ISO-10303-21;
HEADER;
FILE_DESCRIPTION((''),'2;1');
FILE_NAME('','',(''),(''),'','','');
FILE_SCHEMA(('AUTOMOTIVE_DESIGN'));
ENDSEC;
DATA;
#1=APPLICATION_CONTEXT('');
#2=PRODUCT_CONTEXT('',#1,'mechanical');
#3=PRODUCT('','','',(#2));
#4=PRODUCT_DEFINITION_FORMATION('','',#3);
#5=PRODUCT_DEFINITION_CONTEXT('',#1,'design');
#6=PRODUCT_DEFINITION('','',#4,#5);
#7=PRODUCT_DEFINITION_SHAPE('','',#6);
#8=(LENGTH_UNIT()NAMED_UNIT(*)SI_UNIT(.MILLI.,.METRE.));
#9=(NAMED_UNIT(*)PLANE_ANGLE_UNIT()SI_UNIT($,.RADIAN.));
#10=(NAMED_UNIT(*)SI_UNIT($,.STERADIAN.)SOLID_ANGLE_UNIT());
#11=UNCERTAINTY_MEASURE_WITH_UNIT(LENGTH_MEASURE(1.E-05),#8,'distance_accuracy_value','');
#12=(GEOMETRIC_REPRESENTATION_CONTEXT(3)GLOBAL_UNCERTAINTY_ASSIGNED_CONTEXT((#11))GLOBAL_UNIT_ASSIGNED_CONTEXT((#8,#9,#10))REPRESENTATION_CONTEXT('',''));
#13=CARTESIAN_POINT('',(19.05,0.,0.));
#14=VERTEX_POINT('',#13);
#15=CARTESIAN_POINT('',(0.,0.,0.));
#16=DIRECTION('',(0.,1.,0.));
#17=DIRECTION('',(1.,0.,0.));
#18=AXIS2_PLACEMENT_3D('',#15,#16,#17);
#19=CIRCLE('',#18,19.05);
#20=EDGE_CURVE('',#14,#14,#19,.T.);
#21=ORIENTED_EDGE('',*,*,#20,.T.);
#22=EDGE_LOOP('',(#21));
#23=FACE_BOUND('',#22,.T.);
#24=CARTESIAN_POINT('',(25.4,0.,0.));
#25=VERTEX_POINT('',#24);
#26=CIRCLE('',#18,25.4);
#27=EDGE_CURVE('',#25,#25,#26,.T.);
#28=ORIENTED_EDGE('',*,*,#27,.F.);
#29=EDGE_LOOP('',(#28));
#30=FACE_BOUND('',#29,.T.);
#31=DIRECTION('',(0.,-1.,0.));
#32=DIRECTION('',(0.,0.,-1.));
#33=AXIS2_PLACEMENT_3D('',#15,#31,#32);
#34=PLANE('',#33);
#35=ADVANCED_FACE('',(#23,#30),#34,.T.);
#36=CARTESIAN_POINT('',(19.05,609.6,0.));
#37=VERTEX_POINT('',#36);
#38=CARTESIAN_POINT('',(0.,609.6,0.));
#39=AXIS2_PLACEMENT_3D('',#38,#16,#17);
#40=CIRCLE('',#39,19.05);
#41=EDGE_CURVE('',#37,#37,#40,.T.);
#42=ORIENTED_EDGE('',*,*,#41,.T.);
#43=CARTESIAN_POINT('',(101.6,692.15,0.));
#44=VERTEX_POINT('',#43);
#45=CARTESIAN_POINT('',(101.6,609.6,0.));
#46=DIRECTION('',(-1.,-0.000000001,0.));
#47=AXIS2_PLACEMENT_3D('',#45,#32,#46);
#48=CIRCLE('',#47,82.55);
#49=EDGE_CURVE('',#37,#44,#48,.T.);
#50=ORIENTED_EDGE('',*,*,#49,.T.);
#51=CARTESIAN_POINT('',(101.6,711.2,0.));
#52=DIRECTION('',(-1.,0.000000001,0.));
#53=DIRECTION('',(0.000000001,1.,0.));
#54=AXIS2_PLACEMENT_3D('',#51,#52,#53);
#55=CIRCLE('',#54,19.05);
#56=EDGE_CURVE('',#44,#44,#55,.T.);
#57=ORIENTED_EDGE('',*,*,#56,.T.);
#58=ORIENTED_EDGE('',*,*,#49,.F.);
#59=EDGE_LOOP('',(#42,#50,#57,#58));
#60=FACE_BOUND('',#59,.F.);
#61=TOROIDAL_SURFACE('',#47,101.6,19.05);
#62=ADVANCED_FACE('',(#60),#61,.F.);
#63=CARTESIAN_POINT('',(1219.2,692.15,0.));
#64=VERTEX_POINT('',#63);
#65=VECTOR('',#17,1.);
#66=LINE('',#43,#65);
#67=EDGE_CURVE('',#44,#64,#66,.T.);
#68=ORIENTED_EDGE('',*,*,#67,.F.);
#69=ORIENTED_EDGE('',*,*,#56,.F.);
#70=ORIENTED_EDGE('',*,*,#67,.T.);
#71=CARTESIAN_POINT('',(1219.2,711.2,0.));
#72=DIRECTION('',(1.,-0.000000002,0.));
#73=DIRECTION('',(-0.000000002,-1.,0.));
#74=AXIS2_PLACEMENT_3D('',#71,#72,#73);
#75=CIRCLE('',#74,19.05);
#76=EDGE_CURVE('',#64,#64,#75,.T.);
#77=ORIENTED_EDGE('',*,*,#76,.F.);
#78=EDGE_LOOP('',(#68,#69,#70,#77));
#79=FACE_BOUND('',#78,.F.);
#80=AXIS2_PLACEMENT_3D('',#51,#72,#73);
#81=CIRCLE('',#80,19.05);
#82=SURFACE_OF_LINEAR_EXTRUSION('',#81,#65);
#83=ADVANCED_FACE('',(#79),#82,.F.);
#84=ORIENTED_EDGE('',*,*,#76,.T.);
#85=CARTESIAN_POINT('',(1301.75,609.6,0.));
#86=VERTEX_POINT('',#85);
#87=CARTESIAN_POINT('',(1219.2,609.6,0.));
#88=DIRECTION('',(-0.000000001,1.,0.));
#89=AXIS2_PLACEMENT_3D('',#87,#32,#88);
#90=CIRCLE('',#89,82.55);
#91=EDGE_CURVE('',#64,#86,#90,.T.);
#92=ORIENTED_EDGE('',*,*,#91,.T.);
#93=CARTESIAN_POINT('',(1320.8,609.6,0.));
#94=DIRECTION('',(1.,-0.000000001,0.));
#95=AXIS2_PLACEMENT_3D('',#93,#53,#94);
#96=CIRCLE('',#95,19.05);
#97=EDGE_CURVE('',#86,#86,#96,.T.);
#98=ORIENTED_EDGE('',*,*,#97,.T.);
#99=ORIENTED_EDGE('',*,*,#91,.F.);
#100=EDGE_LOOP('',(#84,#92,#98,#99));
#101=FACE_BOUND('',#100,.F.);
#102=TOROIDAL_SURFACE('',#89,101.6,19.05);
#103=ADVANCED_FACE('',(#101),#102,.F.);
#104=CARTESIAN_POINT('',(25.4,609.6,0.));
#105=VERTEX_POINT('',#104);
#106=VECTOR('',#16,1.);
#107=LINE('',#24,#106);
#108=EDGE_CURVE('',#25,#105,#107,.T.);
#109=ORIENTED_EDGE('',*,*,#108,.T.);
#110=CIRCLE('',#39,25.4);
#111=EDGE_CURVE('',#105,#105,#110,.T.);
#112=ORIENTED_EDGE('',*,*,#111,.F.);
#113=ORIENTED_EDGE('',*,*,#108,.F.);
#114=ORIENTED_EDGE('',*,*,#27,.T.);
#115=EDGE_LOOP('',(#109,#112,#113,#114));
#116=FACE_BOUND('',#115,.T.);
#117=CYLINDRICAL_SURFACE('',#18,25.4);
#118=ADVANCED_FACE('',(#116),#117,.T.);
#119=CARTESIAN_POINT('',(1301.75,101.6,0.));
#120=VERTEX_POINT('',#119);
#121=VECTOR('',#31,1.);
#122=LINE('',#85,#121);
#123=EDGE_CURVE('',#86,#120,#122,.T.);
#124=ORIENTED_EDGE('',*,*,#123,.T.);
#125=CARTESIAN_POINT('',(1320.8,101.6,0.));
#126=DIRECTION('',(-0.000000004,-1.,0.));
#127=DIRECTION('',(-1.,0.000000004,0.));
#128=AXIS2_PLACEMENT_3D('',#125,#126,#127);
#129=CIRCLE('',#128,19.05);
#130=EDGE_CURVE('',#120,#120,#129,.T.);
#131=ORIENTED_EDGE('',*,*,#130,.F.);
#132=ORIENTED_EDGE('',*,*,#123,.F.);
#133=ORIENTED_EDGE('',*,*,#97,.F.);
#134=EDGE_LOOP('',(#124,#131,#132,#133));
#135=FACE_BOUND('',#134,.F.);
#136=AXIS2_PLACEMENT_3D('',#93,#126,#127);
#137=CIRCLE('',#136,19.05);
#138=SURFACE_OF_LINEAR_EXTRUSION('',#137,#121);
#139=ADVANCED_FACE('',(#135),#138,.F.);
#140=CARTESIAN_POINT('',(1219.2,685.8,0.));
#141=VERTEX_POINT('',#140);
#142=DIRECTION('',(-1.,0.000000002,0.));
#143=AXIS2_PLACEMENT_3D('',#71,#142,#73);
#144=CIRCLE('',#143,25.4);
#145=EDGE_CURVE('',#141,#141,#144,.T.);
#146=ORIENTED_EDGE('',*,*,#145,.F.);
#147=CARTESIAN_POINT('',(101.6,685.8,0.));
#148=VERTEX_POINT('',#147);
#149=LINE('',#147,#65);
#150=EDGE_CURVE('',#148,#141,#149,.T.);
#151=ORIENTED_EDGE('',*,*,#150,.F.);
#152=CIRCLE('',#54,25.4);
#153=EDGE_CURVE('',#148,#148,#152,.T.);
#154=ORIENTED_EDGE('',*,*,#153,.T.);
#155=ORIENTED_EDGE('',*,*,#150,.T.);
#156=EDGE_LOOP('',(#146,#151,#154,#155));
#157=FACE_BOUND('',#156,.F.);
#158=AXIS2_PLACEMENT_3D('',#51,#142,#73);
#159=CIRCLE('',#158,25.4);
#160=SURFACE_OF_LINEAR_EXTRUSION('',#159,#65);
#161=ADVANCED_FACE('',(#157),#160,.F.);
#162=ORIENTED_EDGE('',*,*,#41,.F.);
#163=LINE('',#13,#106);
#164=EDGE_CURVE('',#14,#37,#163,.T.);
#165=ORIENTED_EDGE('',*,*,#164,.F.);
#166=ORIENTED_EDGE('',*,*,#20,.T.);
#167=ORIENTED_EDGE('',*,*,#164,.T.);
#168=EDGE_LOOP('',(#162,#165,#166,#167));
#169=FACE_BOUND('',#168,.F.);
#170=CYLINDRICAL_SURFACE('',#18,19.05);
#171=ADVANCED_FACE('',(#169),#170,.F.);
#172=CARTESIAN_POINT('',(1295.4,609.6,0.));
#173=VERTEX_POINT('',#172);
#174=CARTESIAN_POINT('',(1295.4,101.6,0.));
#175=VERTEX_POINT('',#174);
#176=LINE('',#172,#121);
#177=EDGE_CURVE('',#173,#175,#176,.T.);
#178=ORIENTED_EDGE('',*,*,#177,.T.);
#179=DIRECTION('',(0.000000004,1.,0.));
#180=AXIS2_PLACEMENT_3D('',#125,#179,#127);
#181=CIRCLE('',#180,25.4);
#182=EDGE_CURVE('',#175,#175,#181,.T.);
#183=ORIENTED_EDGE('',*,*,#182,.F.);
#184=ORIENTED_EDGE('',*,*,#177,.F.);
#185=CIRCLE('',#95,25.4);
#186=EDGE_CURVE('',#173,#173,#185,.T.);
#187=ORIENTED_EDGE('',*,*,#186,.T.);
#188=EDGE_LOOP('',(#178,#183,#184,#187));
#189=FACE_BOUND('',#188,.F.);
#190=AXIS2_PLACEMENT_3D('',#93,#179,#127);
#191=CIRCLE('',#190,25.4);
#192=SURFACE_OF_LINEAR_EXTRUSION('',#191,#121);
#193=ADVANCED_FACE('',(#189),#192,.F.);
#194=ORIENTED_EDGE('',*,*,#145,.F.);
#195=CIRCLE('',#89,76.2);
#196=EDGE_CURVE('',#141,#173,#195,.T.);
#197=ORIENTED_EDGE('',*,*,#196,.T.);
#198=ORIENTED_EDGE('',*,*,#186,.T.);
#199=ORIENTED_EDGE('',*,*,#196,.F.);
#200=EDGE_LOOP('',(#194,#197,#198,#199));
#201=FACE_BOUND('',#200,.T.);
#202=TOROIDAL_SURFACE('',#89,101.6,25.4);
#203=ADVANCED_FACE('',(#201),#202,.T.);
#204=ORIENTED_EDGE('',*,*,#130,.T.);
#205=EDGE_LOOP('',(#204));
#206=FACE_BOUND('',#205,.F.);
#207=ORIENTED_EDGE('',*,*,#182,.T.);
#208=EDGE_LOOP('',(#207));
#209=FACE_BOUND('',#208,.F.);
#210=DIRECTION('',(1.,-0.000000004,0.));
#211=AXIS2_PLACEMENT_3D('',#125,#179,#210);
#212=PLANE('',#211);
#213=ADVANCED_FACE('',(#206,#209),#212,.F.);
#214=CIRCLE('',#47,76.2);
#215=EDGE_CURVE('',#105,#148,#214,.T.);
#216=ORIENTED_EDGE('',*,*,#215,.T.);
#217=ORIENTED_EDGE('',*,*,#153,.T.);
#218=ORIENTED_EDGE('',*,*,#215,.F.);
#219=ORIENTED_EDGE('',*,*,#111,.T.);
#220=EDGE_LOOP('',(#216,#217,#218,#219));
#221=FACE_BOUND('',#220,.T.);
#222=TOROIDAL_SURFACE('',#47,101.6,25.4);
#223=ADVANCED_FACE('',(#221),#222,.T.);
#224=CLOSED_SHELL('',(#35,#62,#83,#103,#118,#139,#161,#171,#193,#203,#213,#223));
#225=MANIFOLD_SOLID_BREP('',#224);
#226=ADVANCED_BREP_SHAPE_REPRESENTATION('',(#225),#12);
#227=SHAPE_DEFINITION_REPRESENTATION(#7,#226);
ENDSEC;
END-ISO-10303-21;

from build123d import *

# Parameters (mm, degrees)
F0_R   = 25.4
F0_R_2 = 19.05


with BuildPart() as f2:
    # F2: sweep along a path in F1
    with BuildLine(Plane.XY) as f2_path:
        Line((0, 0), (0, 609.6))
        ThreePointArc((0, 609.6), (29.757951, 681.442049), (101.6, 711.2))
        Line((101.6, 711.2), (1219.2, 711.2))
        ThreePointArc((1219.2, 711.2), (1291.042049, 681.442049), (1320.8, 609.6))
        Line((1320.8, 609.6), (1320.8, 101.6))
    # F0 (on Front) → F2 (sweep)
    with BuildSketch(Plane.XZ):
        Circle(F0_R)
        Circle(F0_R_2, mode=Mode.SUBTRACT)
    sweep(path=f2_path.line)


solid = f2.part
